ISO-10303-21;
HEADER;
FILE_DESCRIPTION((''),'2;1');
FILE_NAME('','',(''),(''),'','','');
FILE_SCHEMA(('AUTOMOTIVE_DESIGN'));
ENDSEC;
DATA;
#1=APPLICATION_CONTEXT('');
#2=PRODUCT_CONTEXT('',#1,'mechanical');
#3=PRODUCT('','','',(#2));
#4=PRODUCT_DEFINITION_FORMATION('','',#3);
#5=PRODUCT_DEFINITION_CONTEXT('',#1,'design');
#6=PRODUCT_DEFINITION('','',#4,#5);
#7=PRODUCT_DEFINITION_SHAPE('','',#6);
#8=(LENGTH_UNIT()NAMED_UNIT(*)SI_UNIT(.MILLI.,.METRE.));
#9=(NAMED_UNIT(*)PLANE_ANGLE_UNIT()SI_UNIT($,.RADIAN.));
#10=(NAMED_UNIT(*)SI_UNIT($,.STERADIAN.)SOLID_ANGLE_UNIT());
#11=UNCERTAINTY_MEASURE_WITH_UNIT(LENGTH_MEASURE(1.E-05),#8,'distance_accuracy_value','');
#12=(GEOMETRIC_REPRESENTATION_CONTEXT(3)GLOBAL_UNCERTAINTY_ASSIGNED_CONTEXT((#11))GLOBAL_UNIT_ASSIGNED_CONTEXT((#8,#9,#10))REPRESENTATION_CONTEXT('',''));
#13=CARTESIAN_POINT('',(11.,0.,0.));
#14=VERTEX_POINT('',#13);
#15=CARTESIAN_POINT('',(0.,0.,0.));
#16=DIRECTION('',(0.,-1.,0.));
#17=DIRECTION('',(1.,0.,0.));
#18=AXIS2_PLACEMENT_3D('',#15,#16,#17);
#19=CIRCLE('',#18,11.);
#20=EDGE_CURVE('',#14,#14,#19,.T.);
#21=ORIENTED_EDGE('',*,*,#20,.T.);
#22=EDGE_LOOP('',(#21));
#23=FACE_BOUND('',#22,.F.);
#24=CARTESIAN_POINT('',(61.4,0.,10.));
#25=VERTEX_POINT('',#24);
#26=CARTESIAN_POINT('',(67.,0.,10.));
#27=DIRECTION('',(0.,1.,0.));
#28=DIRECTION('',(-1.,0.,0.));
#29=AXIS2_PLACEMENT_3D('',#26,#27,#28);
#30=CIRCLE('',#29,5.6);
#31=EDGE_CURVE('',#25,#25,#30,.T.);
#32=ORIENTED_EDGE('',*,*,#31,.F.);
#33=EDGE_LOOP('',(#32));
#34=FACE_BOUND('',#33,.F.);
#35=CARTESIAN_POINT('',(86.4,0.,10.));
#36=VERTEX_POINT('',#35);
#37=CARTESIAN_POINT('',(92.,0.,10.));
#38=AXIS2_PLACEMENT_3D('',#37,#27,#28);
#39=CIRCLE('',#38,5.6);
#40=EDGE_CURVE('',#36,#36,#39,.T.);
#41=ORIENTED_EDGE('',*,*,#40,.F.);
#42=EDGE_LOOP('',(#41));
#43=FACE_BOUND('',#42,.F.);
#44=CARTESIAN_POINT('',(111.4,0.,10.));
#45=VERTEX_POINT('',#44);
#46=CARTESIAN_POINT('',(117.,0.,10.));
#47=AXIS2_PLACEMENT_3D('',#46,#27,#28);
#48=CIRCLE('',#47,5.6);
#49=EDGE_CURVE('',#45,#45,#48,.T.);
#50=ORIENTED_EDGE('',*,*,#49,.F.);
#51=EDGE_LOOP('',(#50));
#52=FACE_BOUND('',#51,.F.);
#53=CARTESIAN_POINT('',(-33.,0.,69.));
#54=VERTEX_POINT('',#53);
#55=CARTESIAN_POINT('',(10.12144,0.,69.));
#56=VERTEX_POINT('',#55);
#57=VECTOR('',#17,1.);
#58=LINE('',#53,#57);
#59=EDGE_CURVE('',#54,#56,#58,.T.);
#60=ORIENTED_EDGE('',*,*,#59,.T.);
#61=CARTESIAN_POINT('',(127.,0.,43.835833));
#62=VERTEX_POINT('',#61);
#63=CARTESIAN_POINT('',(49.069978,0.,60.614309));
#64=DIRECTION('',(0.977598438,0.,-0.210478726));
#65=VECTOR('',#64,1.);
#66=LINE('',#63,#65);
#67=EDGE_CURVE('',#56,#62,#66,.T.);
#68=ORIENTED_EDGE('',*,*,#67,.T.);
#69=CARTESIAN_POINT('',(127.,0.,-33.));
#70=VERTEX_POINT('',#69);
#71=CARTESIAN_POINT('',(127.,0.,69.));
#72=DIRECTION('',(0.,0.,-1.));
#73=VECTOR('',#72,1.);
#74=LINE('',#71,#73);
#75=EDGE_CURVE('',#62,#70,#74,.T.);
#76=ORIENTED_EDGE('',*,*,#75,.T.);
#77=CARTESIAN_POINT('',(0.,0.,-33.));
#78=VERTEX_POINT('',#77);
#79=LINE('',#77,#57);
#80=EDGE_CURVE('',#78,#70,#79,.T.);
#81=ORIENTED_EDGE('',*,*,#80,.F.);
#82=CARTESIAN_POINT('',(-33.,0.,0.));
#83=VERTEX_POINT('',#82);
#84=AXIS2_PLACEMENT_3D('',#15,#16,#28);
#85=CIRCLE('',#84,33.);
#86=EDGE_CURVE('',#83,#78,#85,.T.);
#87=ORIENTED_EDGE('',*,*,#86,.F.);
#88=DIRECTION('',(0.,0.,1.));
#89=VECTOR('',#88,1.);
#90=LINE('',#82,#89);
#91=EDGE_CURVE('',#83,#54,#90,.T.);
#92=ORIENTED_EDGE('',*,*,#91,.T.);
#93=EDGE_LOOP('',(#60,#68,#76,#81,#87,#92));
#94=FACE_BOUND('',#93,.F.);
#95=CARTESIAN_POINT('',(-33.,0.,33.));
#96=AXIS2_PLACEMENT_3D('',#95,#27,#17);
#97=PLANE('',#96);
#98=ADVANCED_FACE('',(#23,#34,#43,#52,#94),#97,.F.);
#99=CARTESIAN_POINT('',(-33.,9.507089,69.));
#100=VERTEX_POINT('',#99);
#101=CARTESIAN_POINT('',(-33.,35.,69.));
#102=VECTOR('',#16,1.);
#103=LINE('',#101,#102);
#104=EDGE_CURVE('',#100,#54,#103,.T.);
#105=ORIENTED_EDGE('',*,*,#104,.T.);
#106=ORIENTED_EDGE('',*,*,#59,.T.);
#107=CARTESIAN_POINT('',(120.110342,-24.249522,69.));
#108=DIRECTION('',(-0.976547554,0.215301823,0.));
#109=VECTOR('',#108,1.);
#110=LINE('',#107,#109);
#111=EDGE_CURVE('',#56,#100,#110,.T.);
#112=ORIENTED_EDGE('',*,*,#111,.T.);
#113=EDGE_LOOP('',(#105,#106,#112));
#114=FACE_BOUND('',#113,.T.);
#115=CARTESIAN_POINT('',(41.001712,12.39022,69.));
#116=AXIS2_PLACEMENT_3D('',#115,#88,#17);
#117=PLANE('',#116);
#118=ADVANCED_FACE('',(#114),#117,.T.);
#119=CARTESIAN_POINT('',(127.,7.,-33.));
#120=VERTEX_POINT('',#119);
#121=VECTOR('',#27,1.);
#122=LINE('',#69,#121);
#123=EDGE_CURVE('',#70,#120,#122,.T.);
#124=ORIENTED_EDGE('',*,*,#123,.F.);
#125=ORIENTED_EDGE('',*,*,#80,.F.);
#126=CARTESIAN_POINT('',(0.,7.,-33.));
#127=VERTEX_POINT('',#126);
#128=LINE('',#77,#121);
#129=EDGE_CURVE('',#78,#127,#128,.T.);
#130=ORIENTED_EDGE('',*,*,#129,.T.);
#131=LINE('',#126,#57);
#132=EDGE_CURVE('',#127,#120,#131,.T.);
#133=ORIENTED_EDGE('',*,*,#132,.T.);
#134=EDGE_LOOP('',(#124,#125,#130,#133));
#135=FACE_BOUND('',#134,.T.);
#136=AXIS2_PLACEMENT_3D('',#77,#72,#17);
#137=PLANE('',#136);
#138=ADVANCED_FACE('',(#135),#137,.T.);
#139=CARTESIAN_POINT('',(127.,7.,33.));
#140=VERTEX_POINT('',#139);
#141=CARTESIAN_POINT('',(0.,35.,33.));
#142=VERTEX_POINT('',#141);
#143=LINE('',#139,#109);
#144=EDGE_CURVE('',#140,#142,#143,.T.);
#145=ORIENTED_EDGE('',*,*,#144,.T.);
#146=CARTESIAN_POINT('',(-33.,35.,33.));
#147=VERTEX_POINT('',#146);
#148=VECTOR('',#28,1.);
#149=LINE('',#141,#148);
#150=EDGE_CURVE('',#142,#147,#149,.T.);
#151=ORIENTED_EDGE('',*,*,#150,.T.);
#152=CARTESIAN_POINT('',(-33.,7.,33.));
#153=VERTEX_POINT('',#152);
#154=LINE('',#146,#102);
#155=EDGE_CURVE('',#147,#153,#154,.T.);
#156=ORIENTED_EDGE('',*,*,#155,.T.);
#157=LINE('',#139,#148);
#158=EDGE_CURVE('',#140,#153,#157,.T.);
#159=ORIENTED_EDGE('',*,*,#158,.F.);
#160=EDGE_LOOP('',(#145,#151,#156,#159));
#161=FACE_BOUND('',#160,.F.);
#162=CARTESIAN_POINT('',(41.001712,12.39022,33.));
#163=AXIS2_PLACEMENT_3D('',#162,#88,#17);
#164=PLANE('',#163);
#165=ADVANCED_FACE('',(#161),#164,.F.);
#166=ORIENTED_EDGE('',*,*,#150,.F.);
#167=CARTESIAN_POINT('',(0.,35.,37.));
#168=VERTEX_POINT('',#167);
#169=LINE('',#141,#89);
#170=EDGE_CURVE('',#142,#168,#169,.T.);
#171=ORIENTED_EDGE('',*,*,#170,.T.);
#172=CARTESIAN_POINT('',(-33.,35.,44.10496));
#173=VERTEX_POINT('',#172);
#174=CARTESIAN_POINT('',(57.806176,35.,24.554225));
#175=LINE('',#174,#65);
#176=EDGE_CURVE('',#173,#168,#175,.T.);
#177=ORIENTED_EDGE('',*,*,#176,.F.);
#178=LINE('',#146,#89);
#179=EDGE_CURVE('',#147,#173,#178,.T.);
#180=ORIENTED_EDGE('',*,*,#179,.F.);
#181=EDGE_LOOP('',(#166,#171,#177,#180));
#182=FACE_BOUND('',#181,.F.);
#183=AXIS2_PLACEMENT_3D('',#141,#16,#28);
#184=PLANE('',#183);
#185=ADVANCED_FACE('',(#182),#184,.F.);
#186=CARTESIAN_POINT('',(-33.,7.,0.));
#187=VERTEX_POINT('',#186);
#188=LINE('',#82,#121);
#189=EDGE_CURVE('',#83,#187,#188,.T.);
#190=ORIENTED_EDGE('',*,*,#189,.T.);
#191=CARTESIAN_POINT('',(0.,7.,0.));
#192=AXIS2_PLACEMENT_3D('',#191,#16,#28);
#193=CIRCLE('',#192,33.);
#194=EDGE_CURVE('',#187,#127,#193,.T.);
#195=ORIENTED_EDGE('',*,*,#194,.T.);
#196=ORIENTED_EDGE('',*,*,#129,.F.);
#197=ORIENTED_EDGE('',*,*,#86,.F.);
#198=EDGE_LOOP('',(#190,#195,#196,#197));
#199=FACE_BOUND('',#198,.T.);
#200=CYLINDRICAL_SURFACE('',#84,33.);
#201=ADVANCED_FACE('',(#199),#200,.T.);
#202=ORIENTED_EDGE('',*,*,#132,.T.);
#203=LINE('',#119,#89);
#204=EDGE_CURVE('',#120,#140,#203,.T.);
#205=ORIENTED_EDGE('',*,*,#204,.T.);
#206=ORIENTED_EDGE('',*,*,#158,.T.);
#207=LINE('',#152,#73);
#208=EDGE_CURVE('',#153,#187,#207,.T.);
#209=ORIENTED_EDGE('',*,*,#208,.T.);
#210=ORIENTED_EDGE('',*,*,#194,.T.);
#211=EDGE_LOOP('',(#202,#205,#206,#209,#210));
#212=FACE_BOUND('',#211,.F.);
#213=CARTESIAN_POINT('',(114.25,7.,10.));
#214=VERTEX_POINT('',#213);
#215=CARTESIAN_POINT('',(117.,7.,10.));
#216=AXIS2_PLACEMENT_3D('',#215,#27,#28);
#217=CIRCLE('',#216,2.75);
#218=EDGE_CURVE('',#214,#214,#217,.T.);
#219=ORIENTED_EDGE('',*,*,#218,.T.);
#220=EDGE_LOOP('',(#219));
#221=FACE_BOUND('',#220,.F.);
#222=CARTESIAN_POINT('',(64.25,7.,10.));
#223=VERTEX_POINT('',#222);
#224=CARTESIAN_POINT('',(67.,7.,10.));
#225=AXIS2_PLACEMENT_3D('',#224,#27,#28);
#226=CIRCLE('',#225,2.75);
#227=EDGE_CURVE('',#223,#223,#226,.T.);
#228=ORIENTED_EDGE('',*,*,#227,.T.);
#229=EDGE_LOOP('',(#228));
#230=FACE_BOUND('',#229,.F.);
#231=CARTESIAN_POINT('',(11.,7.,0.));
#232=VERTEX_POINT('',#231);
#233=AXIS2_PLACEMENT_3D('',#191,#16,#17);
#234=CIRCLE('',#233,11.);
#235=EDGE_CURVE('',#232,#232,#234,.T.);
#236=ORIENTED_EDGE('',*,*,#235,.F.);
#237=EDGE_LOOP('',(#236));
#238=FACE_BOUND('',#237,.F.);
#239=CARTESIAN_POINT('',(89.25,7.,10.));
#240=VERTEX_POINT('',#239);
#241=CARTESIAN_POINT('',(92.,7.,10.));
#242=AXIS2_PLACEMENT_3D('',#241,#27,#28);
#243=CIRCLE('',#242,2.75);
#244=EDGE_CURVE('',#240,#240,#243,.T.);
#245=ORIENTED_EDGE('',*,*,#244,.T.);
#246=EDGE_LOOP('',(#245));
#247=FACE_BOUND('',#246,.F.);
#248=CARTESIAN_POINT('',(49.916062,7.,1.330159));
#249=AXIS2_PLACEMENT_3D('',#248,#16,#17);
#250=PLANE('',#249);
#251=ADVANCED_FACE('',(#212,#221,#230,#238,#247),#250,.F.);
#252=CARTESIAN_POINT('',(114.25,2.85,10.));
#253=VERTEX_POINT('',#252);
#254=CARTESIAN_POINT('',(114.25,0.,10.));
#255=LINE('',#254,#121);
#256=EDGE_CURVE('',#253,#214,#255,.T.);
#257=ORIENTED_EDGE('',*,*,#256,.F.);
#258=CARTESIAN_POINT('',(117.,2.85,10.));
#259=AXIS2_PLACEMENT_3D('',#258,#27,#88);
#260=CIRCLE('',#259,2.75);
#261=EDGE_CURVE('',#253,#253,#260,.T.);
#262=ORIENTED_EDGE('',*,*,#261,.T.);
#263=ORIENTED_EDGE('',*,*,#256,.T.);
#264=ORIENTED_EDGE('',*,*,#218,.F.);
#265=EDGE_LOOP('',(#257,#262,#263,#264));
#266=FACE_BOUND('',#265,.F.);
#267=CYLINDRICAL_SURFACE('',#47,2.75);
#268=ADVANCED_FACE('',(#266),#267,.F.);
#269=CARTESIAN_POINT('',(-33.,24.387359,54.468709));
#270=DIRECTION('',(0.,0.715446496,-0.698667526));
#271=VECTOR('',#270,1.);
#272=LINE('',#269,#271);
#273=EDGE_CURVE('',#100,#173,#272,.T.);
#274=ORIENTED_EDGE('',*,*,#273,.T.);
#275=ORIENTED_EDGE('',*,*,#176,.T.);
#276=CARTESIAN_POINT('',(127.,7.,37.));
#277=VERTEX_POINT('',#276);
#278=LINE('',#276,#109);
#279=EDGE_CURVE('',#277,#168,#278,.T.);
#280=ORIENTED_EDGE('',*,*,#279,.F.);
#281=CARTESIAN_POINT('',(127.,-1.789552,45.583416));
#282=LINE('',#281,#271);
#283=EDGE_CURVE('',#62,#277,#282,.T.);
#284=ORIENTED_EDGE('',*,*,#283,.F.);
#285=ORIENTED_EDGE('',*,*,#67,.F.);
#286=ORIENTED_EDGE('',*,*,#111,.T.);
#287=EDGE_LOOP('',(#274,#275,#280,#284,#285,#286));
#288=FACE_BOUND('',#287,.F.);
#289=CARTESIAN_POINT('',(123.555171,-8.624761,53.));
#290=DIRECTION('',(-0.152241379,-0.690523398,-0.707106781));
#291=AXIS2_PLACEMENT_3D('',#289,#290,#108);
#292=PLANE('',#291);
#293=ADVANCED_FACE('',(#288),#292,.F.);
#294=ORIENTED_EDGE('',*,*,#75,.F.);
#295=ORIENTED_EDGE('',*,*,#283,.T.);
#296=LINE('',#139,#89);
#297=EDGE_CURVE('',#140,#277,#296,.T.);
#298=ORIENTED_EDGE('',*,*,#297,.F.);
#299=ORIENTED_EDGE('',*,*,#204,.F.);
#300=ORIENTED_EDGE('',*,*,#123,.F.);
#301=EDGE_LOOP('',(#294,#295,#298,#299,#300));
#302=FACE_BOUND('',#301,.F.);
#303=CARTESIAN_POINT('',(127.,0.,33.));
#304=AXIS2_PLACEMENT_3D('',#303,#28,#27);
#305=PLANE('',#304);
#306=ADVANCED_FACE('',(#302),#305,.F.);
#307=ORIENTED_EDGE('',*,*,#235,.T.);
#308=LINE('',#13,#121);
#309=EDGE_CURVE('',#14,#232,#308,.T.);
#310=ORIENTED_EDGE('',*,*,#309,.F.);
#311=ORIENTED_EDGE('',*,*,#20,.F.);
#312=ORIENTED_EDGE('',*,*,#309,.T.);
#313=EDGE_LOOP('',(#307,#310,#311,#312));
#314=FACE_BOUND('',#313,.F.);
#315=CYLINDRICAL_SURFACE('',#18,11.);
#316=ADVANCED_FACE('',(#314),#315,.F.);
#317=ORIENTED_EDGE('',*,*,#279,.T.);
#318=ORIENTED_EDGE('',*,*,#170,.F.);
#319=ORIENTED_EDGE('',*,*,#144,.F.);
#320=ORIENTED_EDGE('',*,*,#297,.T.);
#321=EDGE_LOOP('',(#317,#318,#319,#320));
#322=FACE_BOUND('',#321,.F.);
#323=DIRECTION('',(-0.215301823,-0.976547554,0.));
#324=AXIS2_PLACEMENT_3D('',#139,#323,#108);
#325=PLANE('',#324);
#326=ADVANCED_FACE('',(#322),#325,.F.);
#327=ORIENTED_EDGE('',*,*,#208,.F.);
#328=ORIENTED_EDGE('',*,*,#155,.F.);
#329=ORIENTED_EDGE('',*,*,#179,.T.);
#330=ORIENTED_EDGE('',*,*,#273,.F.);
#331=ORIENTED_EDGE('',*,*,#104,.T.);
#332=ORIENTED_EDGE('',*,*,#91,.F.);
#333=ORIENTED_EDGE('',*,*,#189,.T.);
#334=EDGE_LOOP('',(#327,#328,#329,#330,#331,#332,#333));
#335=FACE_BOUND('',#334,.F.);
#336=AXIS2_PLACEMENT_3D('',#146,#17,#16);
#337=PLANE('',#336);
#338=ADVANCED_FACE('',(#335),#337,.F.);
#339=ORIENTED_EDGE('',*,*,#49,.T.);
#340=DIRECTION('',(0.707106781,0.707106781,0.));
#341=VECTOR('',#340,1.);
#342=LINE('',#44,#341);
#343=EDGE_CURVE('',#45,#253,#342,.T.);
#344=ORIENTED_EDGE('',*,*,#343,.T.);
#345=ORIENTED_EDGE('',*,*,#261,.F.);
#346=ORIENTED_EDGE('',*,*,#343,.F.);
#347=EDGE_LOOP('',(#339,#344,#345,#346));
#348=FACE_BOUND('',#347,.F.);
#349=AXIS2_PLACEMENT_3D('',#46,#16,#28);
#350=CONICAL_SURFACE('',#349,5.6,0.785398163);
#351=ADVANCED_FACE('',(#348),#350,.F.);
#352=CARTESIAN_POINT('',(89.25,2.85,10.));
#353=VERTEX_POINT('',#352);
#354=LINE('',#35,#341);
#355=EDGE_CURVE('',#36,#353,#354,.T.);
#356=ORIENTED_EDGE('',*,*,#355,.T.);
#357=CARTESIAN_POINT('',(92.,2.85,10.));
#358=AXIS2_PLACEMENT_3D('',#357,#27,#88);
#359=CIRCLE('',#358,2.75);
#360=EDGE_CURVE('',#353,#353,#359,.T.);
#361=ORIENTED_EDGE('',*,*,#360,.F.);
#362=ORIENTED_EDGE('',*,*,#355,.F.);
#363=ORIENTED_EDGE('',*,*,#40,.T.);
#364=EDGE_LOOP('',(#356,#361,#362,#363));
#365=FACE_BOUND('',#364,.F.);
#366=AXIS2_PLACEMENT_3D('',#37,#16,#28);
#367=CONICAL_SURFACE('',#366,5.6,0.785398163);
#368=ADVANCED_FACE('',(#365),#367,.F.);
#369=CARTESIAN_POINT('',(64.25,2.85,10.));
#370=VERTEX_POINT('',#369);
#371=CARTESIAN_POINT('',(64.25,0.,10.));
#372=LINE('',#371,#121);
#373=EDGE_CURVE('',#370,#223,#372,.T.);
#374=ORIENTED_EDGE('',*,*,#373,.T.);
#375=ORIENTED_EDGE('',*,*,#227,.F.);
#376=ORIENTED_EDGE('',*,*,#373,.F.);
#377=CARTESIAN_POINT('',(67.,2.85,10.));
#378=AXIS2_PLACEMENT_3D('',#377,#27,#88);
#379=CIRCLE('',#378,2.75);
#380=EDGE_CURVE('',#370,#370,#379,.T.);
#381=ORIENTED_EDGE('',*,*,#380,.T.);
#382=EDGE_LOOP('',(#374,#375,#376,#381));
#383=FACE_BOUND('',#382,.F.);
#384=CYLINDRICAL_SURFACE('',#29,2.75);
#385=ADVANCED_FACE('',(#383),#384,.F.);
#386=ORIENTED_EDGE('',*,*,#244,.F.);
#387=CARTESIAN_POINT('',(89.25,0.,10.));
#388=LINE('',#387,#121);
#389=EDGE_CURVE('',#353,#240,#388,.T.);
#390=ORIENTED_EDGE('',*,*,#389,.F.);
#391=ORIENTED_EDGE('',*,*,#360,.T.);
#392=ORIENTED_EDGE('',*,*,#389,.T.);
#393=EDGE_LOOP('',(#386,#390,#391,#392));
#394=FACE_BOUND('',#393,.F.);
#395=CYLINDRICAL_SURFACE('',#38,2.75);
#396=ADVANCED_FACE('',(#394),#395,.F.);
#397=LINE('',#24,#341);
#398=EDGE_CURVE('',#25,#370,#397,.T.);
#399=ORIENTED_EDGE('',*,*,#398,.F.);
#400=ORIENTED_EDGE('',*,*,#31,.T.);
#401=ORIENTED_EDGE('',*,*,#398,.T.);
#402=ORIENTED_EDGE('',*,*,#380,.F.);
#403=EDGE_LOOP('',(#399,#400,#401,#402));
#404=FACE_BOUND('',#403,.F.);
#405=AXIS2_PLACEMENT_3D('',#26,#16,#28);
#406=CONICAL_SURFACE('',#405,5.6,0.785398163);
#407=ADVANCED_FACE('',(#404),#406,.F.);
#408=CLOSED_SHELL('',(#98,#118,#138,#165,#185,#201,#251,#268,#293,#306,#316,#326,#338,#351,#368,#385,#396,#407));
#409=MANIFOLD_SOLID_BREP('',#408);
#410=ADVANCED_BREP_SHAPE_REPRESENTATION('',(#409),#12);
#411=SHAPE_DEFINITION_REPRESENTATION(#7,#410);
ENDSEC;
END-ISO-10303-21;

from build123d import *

# Parameters (mm, degrees)
F0_R           = 11
F0_R_2         = 2.5
F1_DEPTH       = 7
F2_D           = 5.5
F2_CSINK_D     = 11.2
F2_CSINK_ANGLE = 90
F4_DEPTH       = 36
F5_SIZE        = 32


with BuildPart() as f1:
    # F0 (on Front) → F1 (new body)
    with BuildSketch(Plane.XZ):
        with BuildLine():
            Line((0, -33), (127, -33))
            Line((127, -33), (127, 33))
            Line((127, 33), (-33, 33))
            Line((-33, 33), (-33, 0))
            ThreePointArc((-33, 0), (-23.3345237792, -23.3345237792), (0, -33))
        make_face()
        Circle(F0_R, mode=Mode.SUBTRACT)
        with Locations((67, 10)):
            Circle(F0_R_2, mode=Mode.SUBTRACT)
        with Locations((92, 10)):
            Circle(F0_R_2, mode=Mode.SUBTRACT)
        with Locations((117, 10)):
            Circle(F0_R_2, mode=Mode.SUBTRACT)
    extrude(amount=-F1_DEPTH)

    # F2 (through all)
    with Locations(Plane.XZ):
        with Locations((117, 10), (92, 10), (67, 10)):
            CounterSinkHole(F2_D / 2, F2_CSINK_D / 2, counter_sink_angle=F2_CSINK_ANGLE)

    # F3 (on face) → F4 (join)
    with BuildSketch(Plane.XY.offset(33)):
        Polygon((0, 35), (-33, 35), (-33, 0), (127, 0), (127, 7), align=None)
    extrude(amount=F4_DEPTH)

    # F5
    f5_edges = [f1.edges().sort_by_distance(p)[0] for p in [
        (63.5, 21, 69),
    ]]
    chamfer(f5_edges, length=F5_SIZE)


solid = f1.part
